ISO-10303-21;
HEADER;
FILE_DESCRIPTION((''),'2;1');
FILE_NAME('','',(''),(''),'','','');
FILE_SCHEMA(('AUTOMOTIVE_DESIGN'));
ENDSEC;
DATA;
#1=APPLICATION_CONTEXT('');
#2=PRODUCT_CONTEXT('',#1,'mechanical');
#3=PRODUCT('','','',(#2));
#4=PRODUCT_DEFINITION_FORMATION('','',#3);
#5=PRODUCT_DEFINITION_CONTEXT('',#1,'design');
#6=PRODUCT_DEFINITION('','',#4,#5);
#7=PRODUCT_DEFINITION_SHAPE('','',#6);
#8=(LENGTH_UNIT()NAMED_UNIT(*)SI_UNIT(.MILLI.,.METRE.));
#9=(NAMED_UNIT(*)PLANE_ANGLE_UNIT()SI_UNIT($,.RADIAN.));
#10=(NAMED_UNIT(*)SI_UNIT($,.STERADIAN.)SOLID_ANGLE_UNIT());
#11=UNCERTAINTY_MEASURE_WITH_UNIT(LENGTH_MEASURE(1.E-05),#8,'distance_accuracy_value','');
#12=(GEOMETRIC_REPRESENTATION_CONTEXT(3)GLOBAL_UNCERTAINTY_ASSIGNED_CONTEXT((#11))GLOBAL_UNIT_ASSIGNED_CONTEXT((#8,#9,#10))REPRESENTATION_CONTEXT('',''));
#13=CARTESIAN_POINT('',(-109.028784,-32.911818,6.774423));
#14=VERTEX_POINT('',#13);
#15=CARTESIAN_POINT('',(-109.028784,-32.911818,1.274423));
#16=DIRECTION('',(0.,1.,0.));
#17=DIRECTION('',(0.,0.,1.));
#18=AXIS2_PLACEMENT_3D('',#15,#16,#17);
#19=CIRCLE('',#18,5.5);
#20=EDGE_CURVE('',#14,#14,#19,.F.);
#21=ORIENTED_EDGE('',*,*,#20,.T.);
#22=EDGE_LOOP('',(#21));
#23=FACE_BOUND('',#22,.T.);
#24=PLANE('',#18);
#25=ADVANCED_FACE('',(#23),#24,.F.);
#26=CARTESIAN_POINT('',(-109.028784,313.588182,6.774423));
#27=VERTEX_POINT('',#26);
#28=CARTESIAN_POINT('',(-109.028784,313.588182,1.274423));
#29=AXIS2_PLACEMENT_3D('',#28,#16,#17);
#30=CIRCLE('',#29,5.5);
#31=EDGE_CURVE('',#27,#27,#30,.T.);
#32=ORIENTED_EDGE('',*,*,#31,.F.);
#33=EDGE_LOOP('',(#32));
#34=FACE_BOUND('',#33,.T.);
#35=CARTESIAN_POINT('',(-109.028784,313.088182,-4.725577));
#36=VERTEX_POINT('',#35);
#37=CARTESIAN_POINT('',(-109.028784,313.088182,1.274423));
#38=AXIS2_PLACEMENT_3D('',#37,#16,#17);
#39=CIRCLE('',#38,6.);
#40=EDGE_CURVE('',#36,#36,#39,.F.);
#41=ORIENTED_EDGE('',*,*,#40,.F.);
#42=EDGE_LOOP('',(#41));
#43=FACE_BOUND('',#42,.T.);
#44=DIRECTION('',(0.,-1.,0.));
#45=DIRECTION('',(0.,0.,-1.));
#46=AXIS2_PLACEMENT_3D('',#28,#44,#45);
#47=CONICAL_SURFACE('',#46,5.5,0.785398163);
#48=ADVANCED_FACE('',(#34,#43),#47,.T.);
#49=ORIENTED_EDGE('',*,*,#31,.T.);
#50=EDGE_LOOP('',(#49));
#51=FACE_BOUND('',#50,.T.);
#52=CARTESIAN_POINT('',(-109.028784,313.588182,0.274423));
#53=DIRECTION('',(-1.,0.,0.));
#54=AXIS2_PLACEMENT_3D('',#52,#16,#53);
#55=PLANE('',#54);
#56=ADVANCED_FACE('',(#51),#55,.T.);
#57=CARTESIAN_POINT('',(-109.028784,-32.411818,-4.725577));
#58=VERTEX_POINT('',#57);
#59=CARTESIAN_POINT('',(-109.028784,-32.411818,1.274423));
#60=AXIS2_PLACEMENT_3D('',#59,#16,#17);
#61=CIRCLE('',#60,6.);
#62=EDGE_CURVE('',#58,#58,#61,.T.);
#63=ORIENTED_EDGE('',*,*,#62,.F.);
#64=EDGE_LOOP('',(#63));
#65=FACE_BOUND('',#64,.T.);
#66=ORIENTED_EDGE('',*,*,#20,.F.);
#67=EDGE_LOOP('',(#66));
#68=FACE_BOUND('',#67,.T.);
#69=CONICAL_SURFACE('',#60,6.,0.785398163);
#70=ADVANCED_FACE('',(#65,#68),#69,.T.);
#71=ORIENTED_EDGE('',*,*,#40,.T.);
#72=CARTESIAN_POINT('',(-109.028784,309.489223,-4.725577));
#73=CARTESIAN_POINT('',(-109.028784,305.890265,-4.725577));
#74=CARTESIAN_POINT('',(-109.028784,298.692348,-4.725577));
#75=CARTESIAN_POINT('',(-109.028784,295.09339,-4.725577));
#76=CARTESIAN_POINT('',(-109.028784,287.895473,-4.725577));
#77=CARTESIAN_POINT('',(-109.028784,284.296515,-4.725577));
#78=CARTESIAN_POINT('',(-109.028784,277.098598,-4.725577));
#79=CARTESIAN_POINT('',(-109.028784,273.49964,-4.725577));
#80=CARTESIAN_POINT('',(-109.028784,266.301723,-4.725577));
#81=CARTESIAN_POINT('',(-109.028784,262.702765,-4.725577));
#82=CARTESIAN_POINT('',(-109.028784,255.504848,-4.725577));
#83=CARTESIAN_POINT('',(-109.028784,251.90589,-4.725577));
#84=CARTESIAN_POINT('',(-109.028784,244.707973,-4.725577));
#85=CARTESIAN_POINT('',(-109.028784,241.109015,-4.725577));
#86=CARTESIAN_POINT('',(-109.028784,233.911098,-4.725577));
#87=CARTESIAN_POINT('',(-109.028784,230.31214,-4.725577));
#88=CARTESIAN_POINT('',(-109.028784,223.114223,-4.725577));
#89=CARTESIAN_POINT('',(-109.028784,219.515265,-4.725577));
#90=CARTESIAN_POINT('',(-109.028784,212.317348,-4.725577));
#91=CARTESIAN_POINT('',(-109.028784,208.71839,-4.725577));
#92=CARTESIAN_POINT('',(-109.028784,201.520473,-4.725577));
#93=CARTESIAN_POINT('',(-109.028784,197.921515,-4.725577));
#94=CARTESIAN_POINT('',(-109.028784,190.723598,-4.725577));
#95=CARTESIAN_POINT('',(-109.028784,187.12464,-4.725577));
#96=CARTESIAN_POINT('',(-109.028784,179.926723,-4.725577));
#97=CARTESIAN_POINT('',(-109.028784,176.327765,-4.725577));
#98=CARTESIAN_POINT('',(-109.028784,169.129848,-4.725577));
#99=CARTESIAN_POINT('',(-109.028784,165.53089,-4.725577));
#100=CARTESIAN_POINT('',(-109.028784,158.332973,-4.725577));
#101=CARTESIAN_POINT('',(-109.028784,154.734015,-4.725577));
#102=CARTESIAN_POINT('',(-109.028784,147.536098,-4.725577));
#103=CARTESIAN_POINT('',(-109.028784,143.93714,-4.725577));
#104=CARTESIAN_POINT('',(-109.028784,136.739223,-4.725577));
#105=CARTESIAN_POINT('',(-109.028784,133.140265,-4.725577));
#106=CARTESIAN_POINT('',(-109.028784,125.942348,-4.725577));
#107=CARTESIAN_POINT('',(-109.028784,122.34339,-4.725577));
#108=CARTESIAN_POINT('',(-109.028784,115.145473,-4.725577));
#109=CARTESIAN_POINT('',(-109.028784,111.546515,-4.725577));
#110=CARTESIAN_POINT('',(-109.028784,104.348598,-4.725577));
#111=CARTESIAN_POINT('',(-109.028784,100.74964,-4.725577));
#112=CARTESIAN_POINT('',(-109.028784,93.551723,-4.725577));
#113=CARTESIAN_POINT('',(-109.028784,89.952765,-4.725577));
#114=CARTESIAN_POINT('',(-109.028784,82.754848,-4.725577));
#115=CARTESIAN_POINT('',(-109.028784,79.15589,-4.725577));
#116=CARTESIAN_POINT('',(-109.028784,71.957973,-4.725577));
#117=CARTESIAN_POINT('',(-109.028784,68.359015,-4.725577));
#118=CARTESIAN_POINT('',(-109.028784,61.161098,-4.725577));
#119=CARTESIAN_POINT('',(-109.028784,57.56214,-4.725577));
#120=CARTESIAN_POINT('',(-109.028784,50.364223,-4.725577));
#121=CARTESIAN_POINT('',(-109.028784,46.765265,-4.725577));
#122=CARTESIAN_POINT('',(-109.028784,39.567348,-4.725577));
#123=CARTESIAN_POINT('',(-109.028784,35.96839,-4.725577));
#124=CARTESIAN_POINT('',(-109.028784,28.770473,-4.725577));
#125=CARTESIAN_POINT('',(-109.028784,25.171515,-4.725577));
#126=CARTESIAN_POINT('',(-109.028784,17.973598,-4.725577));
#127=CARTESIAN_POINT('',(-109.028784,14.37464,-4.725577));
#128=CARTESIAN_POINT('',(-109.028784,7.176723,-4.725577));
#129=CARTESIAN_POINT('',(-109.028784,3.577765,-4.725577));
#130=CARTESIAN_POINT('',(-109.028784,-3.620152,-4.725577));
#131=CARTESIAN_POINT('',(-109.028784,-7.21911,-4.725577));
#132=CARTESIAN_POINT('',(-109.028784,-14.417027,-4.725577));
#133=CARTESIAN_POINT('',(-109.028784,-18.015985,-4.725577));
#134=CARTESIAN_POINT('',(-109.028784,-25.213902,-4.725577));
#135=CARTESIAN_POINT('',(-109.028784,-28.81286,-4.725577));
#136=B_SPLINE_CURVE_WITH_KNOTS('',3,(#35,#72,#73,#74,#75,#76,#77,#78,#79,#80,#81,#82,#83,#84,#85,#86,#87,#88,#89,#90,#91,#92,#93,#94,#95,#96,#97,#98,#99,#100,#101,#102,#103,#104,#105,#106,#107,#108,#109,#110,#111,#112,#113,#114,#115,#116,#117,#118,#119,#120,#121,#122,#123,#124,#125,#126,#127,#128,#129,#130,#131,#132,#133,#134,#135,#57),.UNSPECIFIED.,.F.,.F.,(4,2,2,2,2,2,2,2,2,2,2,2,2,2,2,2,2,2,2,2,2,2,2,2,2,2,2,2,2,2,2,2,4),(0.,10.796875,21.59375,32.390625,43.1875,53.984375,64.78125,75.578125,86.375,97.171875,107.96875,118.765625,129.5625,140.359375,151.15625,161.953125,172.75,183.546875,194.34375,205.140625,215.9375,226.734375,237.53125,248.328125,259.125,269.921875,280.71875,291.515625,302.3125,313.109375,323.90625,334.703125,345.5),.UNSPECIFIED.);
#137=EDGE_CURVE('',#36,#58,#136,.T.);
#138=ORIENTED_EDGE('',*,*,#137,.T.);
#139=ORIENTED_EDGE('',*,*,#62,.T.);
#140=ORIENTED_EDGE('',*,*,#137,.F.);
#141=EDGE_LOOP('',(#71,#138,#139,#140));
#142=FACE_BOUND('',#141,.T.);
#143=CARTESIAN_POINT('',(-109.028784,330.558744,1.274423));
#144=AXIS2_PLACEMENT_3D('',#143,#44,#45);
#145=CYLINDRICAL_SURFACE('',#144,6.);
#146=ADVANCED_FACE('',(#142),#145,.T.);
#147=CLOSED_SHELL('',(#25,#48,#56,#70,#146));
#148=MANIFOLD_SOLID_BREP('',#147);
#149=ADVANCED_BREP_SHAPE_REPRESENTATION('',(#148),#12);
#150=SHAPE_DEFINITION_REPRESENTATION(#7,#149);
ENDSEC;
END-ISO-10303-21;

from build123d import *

# Parameters (mm, degrees)
CROQUIS1_R              = 6
SALIENTE_EXTRUIR1_DEPTH = 346.5
CHAFL_N1_SIZE           = 0.5


with BuildPart() as part:
    # Croquis1 → Saliente-Extruir1 (new body)
    with BuildSketch(Plane(origin=(0, -32.911818289, 0), x_dir=(1, 0, 0), z_dir=(0, 1, 0))):
        with Locations(Location((-109.028784153, -1.274422835, 0), (0, 0, 90))):
            Circle(CROQUIS1_R)
    extrude(amount=SALIENTE_EXTRUIR1_DEPTH)

    # Chaflán1
    chafl_n1_edges = [part.edges().sort_by_distance(p)[0] for p in [
        (-109.028784153, -32.911818289, 7.274422835),
        (-109.028784153, 313.588181711, 7.274422835),
    ]]
    chamfer(chafl_n1_edges, length=CHAFL_N1_SIZE)


solid = part.part
